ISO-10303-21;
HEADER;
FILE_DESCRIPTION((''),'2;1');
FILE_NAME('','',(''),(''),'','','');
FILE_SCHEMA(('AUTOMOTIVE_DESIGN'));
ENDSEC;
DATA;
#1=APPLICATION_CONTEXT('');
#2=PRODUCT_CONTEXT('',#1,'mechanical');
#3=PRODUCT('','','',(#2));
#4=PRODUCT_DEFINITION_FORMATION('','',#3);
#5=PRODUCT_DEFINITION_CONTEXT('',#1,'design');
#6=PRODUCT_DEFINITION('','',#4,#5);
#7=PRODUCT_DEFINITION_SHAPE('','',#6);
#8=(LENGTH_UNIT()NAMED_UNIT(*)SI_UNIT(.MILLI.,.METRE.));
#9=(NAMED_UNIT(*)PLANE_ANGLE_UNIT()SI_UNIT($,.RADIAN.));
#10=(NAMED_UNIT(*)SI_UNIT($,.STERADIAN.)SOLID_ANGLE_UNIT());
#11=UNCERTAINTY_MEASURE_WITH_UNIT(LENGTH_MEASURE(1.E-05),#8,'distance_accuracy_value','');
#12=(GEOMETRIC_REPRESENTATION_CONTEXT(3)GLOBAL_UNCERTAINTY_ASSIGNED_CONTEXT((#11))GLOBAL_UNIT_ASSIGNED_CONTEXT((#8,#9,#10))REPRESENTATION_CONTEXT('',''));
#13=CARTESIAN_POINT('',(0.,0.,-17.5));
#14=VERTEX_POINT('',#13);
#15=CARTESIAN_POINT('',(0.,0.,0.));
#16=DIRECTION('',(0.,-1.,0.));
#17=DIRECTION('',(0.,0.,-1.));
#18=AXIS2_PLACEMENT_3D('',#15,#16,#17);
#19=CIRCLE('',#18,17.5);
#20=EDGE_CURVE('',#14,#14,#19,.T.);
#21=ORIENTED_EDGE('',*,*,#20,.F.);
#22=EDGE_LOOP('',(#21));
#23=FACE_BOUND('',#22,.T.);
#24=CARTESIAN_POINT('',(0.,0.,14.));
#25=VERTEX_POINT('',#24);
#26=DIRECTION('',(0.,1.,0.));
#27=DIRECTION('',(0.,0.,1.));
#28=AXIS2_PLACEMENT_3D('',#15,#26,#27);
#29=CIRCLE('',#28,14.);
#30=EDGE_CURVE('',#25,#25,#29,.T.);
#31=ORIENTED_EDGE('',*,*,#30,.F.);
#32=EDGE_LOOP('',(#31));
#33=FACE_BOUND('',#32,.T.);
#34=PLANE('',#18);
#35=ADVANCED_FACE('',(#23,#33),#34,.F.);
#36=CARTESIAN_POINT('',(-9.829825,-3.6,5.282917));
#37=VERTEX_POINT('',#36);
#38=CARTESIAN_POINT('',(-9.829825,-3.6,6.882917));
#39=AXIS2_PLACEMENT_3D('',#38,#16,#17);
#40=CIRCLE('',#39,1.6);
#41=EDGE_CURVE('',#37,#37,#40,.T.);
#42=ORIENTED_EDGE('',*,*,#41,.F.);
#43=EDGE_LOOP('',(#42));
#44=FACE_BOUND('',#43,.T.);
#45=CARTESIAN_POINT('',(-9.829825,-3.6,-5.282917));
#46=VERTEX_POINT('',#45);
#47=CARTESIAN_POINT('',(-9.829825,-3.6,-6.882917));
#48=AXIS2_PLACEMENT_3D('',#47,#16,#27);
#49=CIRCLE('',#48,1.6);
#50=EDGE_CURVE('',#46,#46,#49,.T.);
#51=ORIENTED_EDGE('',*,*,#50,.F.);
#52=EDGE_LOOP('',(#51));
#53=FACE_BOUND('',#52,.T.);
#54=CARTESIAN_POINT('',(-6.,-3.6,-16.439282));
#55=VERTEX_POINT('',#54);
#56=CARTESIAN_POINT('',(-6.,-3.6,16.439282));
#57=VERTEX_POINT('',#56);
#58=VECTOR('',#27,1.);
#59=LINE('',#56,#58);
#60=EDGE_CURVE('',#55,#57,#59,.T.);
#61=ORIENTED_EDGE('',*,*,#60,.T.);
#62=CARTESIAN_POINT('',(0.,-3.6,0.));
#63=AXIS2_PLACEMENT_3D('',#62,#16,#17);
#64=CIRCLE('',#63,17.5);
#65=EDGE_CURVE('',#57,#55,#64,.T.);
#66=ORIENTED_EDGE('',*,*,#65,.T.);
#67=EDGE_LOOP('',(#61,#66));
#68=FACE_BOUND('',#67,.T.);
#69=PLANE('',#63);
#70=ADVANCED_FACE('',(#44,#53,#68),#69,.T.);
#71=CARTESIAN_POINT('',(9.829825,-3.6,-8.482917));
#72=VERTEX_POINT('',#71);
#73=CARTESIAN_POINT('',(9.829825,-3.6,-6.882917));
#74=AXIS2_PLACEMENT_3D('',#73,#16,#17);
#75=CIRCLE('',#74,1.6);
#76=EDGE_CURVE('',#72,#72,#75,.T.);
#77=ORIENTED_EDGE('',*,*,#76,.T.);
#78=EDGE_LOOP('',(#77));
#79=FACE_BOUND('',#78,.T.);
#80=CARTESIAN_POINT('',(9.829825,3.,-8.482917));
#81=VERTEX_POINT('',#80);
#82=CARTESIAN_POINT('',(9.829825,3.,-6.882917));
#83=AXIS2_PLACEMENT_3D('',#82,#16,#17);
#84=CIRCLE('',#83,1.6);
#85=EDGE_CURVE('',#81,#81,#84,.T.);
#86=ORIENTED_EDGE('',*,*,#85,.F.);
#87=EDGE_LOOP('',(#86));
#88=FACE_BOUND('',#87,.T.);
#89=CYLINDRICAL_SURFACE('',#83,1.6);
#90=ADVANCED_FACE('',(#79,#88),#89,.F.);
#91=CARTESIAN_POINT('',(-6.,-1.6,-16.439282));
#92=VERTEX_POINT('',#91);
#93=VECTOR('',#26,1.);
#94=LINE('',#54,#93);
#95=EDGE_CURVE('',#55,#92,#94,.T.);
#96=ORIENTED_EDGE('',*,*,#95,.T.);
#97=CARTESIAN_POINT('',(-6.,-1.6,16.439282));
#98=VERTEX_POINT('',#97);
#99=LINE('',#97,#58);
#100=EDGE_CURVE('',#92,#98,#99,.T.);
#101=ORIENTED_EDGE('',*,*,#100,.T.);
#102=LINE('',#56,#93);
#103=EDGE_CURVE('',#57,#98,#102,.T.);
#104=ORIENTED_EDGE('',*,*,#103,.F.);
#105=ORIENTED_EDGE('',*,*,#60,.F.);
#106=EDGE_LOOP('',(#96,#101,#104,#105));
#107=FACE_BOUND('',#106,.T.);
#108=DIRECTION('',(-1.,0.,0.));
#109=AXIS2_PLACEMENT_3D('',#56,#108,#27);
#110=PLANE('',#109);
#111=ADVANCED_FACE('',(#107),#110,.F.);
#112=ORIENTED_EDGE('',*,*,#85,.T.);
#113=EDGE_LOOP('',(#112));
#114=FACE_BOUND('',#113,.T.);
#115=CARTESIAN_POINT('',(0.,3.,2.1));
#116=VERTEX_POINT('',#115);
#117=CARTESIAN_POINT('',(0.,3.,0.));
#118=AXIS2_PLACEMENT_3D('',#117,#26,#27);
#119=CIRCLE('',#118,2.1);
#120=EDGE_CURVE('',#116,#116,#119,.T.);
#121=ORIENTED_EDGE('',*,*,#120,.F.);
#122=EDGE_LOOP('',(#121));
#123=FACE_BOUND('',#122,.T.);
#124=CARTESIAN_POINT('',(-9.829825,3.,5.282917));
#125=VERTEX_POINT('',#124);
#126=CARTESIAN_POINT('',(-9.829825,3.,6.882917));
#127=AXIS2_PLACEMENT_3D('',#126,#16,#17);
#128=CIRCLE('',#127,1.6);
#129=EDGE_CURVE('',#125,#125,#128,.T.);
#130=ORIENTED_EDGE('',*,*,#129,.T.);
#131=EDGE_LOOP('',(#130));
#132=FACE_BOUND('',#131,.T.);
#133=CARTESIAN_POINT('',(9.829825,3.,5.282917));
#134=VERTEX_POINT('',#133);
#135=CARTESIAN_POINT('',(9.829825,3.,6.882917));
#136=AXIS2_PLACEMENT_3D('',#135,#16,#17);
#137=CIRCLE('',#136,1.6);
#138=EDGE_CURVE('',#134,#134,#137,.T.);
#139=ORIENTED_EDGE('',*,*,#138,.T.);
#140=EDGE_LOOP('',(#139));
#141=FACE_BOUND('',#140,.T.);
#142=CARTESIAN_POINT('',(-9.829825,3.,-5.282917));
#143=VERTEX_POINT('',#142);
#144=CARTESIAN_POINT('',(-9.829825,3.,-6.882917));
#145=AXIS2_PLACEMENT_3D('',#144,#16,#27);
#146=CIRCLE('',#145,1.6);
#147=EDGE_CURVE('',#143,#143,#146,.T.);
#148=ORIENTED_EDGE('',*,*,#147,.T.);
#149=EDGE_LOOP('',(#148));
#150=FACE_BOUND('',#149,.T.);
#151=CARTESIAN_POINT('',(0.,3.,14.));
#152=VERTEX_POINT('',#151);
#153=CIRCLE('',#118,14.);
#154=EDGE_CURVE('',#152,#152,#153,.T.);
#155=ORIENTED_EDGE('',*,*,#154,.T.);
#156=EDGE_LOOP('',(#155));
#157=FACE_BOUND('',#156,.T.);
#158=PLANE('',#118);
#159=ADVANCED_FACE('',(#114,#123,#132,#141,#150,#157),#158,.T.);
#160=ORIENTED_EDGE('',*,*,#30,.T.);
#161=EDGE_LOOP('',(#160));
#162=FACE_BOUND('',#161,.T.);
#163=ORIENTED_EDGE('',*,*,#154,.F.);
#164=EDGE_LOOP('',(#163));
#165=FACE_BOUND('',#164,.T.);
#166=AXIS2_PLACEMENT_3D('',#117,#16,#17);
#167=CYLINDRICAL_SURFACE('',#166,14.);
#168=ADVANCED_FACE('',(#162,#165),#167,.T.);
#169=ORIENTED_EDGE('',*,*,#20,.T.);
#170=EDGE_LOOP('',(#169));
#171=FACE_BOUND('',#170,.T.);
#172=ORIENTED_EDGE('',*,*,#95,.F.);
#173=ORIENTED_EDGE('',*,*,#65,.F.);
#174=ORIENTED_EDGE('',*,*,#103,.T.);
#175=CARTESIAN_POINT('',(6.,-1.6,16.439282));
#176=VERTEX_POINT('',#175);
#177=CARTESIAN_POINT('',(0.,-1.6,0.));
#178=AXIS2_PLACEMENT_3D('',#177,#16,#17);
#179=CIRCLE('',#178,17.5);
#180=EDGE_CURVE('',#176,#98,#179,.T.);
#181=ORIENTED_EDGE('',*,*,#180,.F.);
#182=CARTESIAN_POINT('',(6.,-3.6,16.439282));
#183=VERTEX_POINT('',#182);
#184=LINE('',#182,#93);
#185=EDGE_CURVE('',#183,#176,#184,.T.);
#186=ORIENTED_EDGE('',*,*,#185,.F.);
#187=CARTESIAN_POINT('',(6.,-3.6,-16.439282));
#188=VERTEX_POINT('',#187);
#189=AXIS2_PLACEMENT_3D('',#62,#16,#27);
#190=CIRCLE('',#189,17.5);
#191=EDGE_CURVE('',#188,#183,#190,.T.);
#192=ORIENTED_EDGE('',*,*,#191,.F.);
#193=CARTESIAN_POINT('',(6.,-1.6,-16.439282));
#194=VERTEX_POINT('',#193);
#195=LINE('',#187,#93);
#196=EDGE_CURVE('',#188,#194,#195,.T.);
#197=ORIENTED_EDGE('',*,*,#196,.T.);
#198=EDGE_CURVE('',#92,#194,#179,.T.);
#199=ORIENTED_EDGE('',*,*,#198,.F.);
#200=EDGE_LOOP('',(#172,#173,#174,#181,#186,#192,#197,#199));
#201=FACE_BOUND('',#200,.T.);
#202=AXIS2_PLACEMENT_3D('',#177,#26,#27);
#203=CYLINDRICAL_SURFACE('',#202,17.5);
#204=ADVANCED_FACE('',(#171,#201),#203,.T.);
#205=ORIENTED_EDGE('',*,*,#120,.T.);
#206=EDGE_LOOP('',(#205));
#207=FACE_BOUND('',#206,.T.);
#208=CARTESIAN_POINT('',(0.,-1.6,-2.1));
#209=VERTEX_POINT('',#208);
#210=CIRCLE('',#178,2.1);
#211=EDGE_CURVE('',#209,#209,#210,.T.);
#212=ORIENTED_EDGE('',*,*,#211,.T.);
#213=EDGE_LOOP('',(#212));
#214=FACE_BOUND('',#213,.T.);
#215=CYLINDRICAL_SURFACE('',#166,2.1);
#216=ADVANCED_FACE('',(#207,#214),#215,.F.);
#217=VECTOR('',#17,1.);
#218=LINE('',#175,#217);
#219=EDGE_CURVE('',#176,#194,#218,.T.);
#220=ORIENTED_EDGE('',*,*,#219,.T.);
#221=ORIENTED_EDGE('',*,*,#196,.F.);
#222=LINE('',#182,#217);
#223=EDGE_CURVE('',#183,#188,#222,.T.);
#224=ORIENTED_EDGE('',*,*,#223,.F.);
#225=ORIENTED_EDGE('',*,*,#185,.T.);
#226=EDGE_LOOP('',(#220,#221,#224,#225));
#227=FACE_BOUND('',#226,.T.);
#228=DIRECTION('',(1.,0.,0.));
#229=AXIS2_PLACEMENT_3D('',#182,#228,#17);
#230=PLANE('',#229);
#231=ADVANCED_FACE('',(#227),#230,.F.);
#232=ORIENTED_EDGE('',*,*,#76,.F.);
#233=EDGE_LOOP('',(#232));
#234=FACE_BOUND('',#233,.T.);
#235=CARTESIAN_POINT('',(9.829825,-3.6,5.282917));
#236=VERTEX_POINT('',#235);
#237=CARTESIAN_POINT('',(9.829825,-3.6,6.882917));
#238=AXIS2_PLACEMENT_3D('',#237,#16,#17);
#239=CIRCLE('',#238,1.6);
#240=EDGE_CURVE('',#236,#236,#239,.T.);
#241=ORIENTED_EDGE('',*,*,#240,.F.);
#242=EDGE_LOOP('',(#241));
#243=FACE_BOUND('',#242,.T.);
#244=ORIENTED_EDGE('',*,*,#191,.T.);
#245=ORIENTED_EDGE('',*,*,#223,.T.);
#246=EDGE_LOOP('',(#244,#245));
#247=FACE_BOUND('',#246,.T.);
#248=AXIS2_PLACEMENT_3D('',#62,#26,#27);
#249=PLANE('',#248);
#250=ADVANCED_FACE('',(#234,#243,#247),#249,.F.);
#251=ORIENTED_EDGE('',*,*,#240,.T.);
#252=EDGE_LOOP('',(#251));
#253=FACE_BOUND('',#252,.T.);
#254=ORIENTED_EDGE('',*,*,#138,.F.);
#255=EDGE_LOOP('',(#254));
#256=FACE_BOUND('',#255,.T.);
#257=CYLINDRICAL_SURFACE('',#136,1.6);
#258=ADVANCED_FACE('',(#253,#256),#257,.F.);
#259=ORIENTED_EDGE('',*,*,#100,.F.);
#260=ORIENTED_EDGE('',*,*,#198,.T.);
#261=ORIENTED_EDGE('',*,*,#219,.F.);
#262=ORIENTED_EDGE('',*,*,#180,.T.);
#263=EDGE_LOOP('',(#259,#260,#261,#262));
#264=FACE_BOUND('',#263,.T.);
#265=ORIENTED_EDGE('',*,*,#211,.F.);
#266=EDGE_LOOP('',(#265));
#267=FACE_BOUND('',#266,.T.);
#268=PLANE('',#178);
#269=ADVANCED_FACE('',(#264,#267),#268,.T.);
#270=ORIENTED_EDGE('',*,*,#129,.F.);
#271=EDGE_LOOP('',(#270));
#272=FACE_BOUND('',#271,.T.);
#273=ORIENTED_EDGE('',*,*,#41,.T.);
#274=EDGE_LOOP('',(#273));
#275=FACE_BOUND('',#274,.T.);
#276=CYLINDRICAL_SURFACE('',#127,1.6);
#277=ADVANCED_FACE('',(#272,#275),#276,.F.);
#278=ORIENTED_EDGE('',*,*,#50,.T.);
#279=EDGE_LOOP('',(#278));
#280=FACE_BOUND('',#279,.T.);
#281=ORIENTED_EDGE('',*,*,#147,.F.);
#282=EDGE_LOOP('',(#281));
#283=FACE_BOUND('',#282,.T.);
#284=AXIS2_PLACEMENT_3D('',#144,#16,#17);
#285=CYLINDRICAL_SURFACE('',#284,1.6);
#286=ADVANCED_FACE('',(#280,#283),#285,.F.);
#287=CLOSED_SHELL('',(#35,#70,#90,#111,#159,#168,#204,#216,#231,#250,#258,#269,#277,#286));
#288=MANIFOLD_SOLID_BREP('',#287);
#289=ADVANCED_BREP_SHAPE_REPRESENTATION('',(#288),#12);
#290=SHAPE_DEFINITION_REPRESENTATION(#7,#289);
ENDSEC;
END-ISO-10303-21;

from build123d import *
from build123d.topology import SkipClean

# Parameters (mm, degrees)
SKETCH_1_R          = 14
SKETCH_1_R_2        = 2.1
EXTRUDE_1_DEPTH     = 3
EXTRUDE_START       = 1.6
SKETCH_3_R          = 17.5
SKETCH_3_R_2        = 2.1
EXTRUDE_2_DEPTH     = 1.6
EXTRUDE_START_2     = 2
EXTRUDE_5_DEPTH     = 2
SKETCH_8_R          = 1.6
CUT_EXTRUDE_2_DEPTH = 26.613668226


with BuildPart() as part:
    # ｽｹｯﾁ1 → ﾎﾞｽ - 押し出し1 (new body)
    with BuildSketch(Plane(origin=(0, 0, 0), x_dir=(1, 0, 0), z_dir=(0, 1, 0))):
        with Locations(Location((0, 0, 0), (0, 0, 270))):
            Circle(SKETCH_1_R)
        with Locations(Location((0, 0, 0), (0, 0, 270))):
            Circle(SKETCH_1_R_2, mode=Mode.SUBTRACT)
    extrude(amount=EXTRUDE_1_DEPTH)

    # ｽｹｯﾁ3 → ﾎﾞｽ - 押し出し2 (add)
    with SkipClean():  # the faces are left unmerged after this step: merging them gives an invalid solid
        with BuildSketch(Plane.XZ.offset(EXTRUDE_START)):
            with Locations(Location((0, 0, 0), (0, 0, 270))):
                Circle(SKETCH_3_R)
            with Locations(Location((0, 0, 0), (0, 0, 270))):
                Circle(SKETCH_3_R_2, mode=Mode.SUBTRACT)
        extrude(amount=-EXTRUDE_2_DEPTH)

    # ｽｹｯﾁ7 → ﾎﾞｽ - 押し出し5 (add)
    with BuildSketch(Plane.XZ.offset(1.6).offset(EXTRUDE_START_2)):
        with BuildLine():
            Line((-6, 16.439282223), (-6, -16.439282223))
            ThreePointArc((-6, -16.439282223), (-17.5, 0), (-6, 16.439282223))
        make_face()
        with BuildLine():
            Line((6, 16.439282223), (6, -16.439282223))
            ThreePointArc((6, -16.439282223), (17.5, 0), (6, 16.439282223))
        make_face()
    extrude(amount=-EXTRUDE_5_DEPTH)

    # ｽｹｯﾁ8 → ｶｯﾄ - 押し出し2 (cut, through all)
    with BuildSketch(Plane.XZ.offset(3.6)):
        with Locations(Location((9.829824531, 6.882917236, 0), (0, 0, 270))):
            Circle(SKETCH_8_R)
        with Locations(Location((-9.829824531, -6.882917236, 0), (0, 0, 90))):
            Circle(SKETCH_8_R)
        with Locations(Location((-9.829824531, 6.882917236, 0), (0, 0, 270))):
            Circle(SKETCH_8_R)
        with Locations(Location((9.829824531, -6.882917236, 0), (0, 0, 270))):
            Circle(SKETCH_8_R)
    extrude(amount=-CUT_EXTRUDE_2_DEPTH, mode=Mode.SUBTRACT)


solid = part.part
